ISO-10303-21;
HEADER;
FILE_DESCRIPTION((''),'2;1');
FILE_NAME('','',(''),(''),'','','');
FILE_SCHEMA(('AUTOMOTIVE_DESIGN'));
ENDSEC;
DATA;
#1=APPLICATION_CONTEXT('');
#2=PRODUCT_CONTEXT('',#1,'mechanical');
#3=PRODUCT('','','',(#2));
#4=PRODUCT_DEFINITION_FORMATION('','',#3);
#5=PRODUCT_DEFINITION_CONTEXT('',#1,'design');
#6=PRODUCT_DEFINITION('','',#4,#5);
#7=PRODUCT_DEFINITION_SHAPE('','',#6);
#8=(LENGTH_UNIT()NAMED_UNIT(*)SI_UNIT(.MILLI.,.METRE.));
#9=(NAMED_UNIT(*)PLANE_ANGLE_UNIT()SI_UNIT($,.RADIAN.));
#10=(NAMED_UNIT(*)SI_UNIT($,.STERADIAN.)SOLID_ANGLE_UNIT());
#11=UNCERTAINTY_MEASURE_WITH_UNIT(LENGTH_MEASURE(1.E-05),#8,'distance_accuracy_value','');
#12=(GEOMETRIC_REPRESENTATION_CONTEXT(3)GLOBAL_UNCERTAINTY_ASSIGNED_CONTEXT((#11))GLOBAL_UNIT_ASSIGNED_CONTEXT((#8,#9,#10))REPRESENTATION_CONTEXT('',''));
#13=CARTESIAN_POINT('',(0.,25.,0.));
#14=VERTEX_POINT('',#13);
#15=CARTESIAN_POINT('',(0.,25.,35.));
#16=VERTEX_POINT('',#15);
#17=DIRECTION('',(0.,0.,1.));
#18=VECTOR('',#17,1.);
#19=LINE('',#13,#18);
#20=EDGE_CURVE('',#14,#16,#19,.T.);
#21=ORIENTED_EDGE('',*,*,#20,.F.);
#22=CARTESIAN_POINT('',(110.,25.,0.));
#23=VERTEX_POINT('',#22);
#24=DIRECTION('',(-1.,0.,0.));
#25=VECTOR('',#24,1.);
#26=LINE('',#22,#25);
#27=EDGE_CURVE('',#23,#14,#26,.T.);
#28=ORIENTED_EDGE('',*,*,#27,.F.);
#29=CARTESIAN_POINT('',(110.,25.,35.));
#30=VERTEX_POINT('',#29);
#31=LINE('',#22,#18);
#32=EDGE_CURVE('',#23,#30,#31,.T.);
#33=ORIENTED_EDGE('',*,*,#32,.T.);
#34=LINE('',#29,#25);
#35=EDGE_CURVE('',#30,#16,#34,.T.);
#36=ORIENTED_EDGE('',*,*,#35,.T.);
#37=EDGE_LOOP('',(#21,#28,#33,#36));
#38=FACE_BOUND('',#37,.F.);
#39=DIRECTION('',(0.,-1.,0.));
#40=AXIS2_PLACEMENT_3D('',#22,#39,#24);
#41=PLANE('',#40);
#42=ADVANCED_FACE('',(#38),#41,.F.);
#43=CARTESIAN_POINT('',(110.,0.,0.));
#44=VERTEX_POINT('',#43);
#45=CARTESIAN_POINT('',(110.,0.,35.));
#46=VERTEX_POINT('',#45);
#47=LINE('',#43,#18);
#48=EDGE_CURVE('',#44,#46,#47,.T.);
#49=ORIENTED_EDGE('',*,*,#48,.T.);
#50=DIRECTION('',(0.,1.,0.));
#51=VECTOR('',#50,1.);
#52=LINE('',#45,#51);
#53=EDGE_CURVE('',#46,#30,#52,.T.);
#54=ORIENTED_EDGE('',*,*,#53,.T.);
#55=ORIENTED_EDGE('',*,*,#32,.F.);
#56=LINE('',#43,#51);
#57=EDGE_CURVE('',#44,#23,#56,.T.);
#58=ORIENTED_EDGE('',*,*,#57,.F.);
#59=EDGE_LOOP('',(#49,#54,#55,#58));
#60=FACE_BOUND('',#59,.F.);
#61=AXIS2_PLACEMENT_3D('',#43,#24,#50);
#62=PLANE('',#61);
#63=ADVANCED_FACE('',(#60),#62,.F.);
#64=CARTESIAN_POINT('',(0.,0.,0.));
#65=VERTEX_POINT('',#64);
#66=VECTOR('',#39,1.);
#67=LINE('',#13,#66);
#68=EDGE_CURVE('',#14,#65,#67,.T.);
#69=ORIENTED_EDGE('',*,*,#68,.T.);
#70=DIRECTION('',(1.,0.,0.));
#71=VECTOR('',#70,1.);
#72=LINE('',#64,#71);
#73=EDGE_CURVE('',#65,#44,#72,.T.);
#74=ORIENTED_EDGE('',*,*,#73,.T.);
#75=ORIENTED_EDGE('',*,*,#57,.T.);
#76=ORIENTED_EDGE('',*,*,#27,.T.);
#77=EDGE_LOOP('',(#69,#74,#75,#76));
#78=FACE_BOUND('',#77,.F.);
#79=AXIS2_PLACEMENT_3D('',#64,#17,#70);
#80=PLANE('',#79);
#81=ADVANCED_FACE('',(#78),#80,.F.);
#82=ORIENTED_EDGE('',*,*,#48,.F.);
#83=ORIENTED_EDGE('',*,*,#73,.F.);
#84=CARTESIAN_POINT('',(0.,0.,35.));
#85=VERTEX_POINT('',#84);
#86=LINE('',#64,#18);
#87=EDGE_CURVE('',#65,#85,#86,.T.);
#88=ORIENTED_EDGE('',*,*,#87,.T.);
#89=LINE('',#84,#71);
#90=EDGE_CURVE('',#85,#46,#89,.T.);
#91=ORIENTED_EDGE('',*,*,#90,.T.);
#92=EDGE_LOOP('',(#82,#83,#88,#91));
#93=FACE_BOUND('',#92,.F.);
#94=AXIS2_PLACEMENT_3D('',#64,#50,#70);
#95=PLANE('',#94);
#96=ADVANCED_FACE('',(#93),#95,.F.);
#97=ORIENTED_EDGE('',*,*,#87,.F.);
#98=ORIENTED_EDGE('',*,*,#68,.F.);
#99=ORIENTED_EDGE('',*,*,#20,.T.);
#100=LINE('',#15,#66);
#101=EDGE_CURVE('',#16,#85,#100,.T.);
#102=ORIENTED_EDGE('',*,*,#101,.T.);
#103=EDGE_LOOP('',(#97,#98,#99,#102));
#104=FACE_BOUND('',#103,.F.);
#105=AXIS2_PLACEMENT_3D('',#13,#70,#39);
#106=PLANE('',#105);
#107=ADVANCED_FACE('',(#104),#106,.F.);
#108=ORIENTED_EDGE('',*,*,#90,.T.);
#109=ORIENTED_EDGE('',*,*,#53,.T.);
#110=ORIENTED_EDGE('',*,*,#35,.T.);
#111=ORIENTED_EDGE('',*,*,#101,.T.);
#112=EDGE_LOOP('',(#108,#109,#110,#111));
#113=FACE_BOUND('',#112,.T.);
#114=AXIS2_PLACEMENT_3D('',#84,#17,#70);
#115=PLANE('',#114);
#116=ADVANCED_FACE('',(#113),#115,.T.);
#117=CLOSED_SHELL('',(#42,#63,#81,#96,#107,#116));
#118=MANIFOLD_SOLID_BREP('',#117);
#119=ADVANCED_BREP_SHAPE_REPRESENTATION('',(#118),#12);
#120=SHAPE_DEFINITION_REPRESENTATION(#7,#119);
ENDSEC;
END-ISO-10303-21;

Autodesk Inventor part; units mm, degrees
ref_plane "YZ Plane" through (0, 0, 0) normal (1, 0, 0) x (0, 1, 0)
ref_plane "XZ Plane" through (0, 0, 0) normal (0, 1, 0) x (-1, 0, 0)
ref_plane "XY Plane" through (0, 0, 0) normal (0, 0, 1) x (1, 0, 0)
sketch "Sketch1" plane through (0, 0, 0) normal (0, 0, 1) x (1, 0, 0)
  line L0 (0, 0) -> (110, 0)
  line L1 (110, 0) -> (110, 25)
  line L2 (110, 25) -> (0, 25)
  line L3 (0, 25) -> (0, 0)
  dimension "d0" = 110
  dimension "d1" = 25
extrude "Extrusion1" add sketch "Sketch1" along normal blind 35
properties part number "Battery_Place_Holder"
